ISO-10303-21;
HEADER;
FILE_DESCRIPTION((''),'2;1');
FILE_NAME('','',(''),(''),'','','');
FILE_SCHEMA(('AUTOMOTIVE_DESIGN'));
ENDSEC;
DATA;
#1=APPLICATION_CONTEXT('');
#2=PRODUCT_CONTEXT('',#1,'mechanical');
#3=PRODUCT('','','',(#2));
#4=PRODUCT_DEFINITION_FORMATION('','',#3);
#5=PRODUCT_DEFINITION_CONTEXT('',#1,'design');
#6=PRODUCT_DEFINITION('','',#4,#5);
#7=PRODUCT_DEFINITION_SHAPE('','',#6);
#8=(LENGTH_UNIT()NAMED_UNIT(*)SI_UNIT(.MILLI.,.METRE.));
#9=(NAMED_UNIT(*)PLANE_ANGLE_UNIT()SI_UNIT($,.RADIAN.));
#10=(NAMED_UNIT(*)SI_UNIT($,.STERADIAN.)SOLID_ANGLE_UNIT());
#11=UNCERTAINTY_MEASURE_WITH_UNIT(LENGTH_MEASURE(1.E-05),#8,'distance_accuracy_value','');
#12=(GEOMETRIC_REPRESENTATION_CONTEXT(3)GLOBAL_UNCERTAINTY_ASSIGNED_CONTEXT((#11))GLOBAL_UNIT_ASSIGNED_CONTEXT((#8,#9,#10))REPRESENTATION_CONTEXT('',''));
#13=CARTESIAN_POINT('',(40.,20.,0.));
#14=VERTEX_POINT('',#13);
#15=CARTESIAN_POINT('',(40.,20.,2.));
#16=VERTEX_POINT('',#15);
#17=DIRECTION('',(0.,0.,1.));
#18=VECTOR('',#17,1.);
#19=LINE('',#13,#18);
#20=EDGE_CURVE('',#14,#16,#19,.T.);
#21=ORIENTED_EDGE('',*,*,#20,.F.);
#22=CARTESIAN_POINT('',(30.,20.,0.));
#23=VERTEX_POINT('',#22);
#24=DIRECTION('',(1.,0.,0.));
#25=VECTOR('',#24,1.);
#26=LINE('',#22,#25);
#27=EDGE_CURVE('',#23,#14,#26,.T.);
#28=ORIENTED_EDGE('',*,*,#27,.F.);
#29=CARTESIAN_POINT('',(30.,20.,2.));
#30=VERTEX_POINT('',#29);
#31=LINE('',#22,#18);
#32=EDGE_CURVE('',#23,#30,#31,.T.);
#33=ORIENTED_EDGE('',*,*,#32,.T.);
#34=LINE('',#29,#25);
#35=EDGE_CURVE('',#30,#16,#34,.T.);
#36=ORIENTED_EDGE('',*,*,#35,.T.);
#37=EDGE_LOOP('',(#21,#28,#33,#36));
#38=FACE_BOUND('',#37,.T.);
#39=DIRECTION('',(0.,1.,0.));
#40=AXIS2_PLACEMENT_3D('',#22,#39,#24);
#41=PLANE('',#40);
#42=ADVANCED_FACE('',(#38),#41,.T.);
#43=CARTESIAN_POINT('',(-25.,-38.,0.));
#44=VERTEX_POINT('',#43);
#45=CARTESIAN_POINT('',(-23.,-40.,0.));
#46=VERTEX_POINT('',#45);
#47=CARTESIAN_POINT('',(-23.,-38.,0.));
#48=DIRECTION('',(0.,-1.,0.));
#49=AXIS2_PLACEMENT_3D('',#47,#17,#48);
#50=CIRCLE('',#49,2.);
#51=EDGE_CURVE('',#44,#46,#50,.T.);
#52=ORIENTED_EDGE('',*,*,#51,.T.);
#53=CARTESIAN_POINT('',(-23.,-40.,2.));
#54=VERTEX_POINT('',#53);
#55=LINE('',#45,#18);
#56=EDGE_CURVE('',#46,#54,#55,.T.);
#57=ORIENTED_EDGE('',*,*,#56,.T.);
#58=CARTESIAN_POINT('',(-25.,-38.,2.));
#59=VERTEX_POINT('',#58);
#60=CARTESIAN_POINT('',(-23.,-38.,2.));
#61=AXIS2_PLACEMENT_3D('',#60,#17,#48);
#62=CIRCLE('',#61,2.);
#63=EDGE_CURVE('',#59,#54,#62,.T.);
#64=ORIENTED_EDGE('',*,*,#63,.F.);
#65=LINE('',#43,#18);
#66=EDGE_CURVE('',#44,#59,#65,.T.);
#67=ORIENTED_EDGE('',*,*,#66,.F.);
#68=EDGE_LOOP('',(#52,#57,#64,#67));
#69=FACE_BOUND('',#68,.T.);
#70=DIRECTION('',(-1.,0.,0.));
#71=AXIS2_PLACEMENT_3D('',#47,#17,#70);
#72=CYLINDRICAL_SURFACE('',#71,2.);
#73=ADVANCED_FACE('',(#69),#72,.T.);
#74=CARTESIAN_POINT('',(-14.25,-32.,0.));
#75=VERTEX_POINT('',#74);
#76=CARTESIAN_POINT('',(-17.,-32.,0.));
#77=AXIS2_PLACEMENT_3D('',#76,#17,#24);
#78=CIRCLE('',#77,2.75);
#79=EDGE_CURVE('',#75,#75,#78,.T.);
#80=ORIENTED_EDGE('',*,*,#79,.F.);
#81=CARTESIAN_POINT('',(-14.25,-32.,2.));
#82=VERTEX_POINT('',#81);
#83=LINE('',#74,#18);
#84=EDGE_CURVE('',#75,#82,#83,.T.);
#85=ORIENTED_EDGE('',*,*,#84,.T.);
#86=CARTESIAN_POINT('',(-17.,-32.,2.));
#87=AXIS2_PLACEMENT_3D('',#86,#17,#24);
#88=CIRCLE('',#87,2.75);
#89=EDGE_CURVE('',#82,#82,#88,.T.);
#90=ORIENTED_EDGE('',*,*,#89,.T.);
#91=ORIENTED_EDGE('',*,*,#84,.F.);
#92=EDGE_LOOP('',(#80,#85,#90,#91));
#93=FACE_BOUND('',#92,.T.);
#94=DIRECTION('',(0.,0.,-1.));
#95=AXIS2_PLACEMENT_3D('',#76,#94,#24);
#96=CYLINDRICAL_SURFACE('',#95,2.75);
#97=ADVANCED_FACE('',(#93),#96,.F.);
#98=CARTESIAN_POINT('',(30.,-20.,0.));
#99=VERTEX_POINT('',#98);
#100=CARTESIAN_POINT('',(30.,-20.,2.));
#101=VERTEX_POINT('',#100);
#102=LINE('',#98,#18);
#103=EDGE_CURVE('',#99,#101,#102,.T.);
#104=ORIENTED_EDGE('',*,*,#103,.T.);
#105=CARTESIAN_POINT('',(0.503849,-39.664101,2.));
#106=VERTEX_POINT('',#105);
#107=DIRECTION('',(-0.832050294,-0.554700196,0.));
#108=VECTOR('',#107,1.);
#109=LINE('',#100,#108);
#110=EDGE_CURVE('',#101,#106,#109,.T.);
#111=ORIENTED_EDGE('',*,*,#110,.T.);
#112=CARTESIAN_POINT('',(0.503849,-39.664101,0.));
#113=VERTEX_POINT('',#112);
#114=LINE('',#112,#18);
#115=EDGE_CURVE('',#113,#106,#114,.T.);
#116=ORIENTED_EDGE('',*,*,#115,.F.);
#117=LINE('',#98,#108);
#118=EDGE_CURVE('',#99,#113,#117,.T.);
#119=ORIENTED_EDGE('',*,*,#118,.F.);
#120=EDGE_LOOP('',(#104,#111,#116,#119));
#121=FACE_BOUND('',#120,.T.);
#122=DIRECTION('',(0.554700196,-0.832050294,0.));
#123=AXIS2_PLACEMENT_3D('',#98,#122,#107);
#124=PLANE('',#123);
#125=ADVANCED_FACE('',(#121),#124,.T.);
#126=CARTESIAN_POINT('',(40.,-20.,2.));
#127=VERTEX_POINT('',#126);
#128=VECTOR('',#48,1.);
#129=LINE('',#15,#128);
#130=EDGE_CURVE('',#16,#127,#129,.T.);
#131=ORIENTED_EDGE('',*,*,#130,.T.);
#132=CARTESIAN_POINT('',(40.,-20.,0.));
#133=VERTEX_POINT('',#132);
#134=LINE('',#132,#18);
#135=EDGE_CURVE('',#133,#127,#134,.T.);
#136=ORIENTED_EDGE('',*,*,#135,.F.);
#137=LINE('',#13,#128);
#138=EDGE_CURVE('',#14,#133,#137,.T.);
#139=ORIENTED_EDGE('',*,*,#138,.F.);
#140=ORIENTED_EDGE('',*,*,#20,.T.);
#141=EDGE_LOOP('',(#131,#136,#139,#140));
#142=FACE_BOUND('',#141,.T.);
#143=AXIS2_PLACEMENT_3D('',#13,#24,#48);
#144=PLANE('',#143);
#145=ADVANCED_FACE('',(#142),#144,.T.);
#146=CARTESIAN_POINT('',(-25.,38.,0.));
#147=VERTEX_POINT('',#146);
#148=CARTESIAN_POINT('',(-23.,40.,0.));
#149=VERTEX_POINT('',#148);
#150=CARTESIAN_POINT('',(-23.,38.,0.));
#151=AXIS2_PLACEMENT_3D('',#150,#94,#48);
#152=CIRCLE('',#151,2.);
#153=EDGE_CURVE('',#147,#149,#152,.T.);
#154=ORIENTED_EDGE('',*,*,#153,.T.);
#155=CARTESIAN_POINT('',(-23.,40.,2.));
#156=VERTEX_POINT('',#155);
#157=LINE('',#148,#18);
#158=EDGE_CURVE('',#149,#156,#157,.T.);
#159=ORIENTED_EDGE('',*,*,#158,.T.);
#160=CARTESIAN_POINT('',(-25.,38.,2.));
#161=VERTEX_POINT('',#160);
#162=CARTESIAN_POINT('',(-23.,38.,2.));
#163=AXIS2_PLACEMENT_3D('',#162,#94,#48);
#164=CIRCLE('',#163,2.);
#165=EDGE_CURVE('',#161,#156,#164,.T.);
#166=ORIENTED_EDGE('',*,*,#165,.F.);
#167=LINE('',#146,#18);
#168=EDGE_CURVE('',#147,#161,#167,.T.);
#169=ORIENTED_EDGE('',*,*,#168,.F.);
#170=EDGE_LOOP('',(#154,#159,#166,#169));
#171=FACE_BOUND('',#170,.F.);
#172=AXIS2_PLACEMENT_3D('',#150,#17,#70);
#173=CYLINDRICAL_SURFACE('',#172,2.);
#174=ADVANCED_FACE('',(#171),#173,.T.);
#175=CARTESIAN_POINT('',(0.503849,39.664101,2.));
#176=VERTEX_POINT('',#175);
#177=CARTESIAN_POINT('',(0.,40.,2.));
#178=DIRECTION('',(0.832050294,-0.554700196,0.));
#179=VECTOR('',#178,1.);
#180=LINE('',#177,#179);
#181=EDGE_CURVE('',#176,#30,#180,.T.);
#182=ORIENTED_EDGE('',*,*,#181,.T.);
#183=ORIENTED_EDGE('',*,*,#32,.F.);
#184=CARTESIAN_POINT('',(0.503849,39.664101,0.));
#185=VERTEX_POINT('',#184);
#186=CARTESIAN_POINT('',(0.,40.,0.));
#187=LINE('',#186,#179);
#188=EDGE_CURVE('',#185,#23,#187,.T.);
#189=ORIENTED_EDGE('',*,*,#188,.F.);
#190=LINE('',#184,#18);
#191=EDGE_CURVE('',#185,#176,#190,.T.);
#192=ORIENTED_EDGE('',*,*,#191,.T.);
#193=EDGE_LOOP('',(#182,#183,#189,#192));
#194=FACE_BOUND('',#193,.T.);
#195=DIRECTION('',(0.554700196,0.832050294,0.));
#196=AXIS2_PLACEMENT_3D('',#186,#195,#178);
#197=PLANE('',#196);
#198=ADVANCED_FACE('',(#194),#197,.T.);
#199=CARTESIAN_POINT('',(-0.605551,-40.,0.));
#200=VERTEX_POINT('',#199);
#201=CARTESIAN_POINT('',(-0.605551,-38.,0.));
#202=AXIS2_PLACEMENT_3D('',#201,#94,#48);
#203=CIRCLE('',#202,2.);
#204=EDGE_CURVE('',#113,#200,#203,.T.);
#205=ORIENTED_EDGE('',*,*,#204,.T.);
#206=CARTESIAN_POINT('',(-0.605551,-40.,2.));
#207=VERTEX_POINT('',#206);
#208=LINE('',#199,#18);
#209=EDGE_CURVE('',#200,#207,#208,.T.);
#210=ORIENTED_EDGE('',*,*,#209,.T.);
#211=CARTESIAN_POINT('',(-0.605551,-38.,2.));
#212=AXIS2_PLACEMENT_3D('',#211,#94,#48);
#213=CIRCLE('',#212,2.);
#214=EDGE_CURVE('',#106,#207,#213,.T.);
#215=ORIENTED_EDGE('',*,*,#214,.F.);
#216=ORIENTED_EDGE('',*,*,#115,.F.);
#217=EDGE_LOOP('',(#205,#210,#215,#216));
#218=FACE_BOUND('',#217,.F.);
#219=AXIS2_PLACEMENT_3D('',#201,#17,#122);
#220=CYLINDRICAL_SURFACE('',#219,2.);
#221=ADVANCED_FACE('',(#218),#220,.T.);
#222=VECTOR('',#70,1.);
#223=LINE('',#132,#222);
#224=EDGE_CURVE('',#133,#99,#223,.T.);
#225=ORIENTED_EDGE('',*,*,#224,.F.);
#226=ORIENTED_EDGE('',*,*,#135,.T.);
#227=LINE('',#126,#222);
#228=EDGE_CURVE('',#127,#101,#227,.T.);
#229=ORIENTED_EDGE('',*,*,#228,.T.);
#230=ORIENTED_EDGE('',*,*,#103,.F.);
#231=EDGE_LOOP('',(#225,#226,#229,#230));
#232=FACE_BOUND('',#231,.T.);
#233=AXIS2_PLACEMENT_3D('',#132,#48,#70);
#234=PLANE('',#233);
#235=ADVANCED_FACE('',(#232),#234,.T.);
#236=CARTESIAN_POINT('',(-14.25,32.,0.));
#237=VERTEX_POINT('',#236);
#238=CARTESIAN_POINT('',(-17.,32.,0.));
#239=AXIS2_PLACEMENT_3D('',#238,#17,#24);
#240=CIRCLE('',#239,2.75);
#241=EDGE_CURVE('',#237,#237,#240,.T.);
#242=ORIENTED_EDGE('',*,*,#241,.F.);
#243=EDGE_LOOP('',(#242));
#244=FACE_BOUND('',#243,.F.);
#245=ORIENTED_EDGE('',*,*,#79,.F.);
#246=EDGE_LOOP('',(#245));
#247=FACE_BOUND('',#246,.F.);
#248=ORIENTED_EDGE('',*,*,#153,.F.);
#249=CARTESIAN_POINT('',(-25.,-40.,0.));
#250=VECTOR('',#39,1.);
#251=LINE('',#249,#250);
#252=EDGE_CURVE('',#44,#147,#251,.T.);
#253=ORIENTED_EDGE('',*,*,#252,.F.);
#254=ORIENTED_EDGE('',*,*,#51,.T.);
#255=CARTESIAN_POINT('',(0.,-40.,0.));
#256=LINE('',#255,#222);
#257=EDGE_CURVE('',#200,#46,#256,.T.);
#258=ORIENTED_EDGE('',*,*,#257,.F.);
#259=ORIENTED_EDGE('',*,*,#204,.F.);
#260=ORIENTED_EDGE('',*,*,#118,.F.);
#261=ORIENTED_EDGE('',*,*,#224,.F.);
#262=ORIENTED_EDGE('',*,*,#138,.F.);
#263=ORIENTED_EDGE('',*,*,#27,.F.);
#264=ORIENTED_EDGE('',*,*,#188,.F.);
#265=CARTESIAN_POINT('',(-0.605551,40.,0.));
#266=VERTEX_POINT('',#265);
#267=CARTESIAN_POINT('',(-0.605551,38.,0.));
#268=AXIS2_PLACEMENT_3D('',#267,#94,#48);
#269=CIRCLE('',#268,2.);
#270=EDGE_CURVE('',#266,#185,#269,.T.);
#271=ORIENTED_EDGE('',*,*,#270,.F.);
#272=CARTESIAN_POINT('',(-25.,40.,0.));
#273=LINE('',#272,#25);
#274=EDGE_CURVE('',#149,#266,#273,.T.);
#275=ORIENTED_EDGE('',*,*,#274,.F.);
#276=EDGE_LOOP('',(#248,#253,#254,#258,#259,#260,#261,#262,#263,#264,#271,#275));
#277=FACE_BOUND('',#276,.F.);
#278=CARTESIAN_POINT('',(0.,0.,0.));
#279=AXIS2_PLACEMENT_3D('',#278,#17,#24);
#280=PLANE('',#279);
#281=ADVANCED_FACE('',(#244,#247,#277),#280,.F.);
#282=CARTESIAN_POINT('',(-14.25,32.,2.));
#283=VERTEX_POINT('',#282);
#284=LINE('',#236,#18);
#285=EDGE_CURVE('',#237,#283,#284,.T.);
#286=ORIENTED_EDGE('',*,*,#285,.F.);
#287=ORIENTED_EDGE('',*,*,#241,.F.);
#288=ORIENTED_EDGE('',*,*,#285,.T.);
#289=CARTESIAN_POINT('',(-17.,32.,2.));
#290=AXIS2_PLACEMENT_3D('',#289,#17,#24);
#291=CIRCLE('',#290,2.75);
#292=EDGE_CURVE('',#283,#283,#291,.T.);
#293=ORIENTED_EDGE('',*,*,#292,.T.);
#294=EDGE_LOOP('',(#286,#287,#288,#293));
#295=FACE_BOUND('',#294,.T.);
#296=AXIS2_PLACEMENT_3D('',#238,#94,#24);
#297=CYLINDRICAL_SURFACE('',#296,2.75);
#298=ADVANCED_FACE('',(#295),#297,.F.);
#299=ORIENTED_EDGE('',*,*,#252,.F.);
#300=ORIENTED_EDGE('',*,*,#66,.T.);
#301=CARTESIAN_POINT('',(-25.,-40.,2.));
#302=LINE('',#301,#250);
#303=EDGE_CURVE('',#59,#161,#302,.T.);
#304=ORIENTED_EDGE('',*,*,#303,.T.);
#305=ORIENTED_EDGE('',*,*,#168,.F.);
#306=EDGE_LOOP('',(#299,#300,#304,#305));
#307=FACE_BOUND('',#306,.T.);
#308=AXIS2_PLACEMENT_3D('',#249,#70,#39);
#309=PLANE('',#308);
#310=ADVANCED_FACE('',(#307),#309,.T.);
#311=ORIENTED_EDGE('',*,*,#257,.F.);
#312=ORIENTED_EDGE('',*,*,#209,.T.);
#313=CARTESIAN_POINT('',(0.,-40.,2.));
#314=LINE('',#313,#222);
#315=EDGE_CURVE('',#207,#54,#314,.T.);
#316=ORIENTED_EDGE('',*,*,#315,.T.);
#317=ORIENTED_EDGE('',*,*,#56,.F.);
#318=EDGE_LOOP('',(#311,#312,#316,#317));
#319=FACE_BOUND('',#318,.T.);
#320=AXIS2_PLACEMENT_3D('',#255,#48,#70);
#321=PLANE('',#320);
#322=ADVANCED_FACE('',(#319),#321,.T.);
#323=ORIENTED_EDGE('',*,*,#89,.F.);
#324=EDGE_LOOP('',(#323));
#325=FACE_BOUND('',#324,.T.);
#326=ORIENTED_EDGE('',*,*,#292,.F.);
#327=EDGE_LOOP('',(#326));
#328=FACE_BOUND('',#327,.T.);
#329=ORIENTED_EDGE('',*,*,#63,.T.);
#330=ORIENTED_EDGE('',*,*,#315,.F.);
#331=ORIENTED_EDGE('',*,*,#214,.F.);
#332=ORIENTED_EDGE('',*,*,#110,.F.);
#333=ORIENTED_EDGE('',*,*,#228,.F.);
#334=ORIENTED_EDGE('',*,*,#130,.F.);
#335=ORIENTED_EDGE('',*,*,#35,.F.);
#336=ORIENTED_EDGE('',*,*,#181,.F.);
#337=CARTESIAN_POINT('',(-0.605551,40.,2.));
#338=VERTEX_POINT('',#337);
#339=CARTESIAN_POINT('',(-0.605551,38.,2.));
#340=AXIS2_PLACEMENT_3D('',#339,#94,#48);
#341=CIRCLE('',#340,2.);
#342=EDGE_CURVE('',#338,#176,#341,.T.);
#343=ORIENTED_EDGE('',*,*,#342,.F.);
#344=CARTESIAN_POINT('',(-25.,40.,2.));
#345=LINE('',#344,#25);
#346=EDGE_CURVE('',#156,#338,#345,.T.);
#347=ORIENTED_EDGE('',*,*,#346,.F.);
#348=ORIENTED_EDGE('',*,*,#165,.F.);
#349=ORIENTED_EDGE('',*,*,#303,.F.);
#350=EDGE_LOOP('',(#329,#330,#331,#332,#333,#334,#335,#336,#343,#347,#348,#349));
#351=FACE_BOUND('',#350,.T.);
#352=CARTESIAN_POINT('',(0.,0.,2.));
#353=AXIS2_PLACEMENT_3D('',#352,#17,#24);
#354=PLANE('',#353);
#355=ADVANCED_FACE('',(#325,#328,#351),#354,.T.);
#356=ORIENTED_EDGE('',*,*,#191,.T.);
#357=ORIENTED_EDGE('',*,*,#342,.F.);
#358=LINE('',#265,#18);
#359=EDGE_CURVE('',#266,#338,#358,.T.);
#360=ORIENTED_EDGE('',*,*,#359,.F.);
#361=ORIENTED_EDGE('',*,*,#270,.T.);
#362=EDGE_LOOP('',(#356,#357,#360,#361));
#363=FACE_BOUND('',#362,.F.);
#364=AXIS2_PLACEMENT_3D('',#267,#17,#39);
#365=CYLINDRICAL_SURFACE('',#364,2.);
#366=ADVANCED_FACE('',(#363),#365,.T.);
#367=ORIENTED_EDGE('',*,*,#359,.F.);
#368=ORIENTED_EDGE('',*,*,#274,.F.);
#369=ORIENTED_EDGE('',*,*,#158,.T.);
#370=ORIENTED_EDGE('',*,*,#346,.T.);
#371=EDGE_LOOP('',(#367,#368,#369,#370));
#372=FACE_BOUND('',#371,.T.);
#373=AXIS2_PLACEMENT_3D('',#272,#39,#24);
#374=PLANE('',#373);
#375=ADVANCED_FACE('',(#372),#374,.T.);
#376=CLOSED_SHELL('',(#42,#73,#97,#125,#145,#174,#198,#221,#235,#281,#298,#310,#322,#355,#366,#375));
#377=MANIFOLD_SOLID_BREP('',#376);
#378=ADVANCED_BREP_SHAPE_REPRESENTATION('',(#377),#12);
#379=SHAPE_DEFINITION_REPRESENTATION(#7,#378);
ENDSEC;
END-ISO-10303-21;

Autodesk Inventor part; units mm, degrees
ref_plane "YZ Plane" through (0, 0, 0) normal (1, 0, 0) x (0, 1, 0)
ref_plane "XZ Plane" through (0, 0, 0) normal (0, 1, 0) x (-1, 0, 0)
ref_plane "XY Plane" through (0, 0, 0) normal (0, 0, 1) x (1, 0, 0)
sketch "Sketch13" plane through (0, 0, 0) normal (0, 0, 1) x (1, 0, 0)
  line L0 (-25, -40) -> (-25, 40)
  line L1 (-25, 40) -> (0, 40)
  line L2 (0, 40) -> (30, 20)
  line L3 (30, -20) -> (0, -40)
  line L4 (0, -40) -> (-25, -40)
  line L5 (30, 20) -> (40, 20)
  line L6 (40, 20) -> (40, -20)
  line L7 (40, -20) -> (30, -20)
  line L8 (30, -20) -> (30, 20) construction
  circle A0 centre (-17, 32) radius 2.75
  circle A1 centre (-17, -32) radius 2.75
  line L9 (-25, 0) -> (30, 0) construction
  point P0 (0, 0)
  point P1 (40, 0)
  dimension "d95" = 25
  dimension "d96" = 80
  dimension "d97" = 40
  dimension "d98" = 10
  dimension "d100" = 5.5
  dimension "d101" = 8
  dimension "d102" = 8
  dimension "d103" = 30
extrude "Plate5" add sketch "Sketch13" along normal blind 2
fillet "Fillet4" radius 2 4 edges at (-25, 40, 1) (0, 40, 1) (0, -40, 1) (-25, -40, 1)
equation "\"d104\" = Thickness"
equation "\"BendRadius\" = Thickness"
equation "\"BendReliefWidth\" = Thickness"
equation "\"BendReliefDepth\" = 0.5 * Thickness"
equation "\"CornerReliefSize\" = 4 * Thickness"
equation "\"MinimumRemnant\" = 2 * Thickness"
equation "\"TransitionRadius\" = BendRadius"
equation "\"JacobiRadiusSize\" = BendRadius"
equation "\"GapSize\" = Thickness"
equation "\"Thickness\" = 2"
properties part number "NDM 7.46 bracket floor stringer"
